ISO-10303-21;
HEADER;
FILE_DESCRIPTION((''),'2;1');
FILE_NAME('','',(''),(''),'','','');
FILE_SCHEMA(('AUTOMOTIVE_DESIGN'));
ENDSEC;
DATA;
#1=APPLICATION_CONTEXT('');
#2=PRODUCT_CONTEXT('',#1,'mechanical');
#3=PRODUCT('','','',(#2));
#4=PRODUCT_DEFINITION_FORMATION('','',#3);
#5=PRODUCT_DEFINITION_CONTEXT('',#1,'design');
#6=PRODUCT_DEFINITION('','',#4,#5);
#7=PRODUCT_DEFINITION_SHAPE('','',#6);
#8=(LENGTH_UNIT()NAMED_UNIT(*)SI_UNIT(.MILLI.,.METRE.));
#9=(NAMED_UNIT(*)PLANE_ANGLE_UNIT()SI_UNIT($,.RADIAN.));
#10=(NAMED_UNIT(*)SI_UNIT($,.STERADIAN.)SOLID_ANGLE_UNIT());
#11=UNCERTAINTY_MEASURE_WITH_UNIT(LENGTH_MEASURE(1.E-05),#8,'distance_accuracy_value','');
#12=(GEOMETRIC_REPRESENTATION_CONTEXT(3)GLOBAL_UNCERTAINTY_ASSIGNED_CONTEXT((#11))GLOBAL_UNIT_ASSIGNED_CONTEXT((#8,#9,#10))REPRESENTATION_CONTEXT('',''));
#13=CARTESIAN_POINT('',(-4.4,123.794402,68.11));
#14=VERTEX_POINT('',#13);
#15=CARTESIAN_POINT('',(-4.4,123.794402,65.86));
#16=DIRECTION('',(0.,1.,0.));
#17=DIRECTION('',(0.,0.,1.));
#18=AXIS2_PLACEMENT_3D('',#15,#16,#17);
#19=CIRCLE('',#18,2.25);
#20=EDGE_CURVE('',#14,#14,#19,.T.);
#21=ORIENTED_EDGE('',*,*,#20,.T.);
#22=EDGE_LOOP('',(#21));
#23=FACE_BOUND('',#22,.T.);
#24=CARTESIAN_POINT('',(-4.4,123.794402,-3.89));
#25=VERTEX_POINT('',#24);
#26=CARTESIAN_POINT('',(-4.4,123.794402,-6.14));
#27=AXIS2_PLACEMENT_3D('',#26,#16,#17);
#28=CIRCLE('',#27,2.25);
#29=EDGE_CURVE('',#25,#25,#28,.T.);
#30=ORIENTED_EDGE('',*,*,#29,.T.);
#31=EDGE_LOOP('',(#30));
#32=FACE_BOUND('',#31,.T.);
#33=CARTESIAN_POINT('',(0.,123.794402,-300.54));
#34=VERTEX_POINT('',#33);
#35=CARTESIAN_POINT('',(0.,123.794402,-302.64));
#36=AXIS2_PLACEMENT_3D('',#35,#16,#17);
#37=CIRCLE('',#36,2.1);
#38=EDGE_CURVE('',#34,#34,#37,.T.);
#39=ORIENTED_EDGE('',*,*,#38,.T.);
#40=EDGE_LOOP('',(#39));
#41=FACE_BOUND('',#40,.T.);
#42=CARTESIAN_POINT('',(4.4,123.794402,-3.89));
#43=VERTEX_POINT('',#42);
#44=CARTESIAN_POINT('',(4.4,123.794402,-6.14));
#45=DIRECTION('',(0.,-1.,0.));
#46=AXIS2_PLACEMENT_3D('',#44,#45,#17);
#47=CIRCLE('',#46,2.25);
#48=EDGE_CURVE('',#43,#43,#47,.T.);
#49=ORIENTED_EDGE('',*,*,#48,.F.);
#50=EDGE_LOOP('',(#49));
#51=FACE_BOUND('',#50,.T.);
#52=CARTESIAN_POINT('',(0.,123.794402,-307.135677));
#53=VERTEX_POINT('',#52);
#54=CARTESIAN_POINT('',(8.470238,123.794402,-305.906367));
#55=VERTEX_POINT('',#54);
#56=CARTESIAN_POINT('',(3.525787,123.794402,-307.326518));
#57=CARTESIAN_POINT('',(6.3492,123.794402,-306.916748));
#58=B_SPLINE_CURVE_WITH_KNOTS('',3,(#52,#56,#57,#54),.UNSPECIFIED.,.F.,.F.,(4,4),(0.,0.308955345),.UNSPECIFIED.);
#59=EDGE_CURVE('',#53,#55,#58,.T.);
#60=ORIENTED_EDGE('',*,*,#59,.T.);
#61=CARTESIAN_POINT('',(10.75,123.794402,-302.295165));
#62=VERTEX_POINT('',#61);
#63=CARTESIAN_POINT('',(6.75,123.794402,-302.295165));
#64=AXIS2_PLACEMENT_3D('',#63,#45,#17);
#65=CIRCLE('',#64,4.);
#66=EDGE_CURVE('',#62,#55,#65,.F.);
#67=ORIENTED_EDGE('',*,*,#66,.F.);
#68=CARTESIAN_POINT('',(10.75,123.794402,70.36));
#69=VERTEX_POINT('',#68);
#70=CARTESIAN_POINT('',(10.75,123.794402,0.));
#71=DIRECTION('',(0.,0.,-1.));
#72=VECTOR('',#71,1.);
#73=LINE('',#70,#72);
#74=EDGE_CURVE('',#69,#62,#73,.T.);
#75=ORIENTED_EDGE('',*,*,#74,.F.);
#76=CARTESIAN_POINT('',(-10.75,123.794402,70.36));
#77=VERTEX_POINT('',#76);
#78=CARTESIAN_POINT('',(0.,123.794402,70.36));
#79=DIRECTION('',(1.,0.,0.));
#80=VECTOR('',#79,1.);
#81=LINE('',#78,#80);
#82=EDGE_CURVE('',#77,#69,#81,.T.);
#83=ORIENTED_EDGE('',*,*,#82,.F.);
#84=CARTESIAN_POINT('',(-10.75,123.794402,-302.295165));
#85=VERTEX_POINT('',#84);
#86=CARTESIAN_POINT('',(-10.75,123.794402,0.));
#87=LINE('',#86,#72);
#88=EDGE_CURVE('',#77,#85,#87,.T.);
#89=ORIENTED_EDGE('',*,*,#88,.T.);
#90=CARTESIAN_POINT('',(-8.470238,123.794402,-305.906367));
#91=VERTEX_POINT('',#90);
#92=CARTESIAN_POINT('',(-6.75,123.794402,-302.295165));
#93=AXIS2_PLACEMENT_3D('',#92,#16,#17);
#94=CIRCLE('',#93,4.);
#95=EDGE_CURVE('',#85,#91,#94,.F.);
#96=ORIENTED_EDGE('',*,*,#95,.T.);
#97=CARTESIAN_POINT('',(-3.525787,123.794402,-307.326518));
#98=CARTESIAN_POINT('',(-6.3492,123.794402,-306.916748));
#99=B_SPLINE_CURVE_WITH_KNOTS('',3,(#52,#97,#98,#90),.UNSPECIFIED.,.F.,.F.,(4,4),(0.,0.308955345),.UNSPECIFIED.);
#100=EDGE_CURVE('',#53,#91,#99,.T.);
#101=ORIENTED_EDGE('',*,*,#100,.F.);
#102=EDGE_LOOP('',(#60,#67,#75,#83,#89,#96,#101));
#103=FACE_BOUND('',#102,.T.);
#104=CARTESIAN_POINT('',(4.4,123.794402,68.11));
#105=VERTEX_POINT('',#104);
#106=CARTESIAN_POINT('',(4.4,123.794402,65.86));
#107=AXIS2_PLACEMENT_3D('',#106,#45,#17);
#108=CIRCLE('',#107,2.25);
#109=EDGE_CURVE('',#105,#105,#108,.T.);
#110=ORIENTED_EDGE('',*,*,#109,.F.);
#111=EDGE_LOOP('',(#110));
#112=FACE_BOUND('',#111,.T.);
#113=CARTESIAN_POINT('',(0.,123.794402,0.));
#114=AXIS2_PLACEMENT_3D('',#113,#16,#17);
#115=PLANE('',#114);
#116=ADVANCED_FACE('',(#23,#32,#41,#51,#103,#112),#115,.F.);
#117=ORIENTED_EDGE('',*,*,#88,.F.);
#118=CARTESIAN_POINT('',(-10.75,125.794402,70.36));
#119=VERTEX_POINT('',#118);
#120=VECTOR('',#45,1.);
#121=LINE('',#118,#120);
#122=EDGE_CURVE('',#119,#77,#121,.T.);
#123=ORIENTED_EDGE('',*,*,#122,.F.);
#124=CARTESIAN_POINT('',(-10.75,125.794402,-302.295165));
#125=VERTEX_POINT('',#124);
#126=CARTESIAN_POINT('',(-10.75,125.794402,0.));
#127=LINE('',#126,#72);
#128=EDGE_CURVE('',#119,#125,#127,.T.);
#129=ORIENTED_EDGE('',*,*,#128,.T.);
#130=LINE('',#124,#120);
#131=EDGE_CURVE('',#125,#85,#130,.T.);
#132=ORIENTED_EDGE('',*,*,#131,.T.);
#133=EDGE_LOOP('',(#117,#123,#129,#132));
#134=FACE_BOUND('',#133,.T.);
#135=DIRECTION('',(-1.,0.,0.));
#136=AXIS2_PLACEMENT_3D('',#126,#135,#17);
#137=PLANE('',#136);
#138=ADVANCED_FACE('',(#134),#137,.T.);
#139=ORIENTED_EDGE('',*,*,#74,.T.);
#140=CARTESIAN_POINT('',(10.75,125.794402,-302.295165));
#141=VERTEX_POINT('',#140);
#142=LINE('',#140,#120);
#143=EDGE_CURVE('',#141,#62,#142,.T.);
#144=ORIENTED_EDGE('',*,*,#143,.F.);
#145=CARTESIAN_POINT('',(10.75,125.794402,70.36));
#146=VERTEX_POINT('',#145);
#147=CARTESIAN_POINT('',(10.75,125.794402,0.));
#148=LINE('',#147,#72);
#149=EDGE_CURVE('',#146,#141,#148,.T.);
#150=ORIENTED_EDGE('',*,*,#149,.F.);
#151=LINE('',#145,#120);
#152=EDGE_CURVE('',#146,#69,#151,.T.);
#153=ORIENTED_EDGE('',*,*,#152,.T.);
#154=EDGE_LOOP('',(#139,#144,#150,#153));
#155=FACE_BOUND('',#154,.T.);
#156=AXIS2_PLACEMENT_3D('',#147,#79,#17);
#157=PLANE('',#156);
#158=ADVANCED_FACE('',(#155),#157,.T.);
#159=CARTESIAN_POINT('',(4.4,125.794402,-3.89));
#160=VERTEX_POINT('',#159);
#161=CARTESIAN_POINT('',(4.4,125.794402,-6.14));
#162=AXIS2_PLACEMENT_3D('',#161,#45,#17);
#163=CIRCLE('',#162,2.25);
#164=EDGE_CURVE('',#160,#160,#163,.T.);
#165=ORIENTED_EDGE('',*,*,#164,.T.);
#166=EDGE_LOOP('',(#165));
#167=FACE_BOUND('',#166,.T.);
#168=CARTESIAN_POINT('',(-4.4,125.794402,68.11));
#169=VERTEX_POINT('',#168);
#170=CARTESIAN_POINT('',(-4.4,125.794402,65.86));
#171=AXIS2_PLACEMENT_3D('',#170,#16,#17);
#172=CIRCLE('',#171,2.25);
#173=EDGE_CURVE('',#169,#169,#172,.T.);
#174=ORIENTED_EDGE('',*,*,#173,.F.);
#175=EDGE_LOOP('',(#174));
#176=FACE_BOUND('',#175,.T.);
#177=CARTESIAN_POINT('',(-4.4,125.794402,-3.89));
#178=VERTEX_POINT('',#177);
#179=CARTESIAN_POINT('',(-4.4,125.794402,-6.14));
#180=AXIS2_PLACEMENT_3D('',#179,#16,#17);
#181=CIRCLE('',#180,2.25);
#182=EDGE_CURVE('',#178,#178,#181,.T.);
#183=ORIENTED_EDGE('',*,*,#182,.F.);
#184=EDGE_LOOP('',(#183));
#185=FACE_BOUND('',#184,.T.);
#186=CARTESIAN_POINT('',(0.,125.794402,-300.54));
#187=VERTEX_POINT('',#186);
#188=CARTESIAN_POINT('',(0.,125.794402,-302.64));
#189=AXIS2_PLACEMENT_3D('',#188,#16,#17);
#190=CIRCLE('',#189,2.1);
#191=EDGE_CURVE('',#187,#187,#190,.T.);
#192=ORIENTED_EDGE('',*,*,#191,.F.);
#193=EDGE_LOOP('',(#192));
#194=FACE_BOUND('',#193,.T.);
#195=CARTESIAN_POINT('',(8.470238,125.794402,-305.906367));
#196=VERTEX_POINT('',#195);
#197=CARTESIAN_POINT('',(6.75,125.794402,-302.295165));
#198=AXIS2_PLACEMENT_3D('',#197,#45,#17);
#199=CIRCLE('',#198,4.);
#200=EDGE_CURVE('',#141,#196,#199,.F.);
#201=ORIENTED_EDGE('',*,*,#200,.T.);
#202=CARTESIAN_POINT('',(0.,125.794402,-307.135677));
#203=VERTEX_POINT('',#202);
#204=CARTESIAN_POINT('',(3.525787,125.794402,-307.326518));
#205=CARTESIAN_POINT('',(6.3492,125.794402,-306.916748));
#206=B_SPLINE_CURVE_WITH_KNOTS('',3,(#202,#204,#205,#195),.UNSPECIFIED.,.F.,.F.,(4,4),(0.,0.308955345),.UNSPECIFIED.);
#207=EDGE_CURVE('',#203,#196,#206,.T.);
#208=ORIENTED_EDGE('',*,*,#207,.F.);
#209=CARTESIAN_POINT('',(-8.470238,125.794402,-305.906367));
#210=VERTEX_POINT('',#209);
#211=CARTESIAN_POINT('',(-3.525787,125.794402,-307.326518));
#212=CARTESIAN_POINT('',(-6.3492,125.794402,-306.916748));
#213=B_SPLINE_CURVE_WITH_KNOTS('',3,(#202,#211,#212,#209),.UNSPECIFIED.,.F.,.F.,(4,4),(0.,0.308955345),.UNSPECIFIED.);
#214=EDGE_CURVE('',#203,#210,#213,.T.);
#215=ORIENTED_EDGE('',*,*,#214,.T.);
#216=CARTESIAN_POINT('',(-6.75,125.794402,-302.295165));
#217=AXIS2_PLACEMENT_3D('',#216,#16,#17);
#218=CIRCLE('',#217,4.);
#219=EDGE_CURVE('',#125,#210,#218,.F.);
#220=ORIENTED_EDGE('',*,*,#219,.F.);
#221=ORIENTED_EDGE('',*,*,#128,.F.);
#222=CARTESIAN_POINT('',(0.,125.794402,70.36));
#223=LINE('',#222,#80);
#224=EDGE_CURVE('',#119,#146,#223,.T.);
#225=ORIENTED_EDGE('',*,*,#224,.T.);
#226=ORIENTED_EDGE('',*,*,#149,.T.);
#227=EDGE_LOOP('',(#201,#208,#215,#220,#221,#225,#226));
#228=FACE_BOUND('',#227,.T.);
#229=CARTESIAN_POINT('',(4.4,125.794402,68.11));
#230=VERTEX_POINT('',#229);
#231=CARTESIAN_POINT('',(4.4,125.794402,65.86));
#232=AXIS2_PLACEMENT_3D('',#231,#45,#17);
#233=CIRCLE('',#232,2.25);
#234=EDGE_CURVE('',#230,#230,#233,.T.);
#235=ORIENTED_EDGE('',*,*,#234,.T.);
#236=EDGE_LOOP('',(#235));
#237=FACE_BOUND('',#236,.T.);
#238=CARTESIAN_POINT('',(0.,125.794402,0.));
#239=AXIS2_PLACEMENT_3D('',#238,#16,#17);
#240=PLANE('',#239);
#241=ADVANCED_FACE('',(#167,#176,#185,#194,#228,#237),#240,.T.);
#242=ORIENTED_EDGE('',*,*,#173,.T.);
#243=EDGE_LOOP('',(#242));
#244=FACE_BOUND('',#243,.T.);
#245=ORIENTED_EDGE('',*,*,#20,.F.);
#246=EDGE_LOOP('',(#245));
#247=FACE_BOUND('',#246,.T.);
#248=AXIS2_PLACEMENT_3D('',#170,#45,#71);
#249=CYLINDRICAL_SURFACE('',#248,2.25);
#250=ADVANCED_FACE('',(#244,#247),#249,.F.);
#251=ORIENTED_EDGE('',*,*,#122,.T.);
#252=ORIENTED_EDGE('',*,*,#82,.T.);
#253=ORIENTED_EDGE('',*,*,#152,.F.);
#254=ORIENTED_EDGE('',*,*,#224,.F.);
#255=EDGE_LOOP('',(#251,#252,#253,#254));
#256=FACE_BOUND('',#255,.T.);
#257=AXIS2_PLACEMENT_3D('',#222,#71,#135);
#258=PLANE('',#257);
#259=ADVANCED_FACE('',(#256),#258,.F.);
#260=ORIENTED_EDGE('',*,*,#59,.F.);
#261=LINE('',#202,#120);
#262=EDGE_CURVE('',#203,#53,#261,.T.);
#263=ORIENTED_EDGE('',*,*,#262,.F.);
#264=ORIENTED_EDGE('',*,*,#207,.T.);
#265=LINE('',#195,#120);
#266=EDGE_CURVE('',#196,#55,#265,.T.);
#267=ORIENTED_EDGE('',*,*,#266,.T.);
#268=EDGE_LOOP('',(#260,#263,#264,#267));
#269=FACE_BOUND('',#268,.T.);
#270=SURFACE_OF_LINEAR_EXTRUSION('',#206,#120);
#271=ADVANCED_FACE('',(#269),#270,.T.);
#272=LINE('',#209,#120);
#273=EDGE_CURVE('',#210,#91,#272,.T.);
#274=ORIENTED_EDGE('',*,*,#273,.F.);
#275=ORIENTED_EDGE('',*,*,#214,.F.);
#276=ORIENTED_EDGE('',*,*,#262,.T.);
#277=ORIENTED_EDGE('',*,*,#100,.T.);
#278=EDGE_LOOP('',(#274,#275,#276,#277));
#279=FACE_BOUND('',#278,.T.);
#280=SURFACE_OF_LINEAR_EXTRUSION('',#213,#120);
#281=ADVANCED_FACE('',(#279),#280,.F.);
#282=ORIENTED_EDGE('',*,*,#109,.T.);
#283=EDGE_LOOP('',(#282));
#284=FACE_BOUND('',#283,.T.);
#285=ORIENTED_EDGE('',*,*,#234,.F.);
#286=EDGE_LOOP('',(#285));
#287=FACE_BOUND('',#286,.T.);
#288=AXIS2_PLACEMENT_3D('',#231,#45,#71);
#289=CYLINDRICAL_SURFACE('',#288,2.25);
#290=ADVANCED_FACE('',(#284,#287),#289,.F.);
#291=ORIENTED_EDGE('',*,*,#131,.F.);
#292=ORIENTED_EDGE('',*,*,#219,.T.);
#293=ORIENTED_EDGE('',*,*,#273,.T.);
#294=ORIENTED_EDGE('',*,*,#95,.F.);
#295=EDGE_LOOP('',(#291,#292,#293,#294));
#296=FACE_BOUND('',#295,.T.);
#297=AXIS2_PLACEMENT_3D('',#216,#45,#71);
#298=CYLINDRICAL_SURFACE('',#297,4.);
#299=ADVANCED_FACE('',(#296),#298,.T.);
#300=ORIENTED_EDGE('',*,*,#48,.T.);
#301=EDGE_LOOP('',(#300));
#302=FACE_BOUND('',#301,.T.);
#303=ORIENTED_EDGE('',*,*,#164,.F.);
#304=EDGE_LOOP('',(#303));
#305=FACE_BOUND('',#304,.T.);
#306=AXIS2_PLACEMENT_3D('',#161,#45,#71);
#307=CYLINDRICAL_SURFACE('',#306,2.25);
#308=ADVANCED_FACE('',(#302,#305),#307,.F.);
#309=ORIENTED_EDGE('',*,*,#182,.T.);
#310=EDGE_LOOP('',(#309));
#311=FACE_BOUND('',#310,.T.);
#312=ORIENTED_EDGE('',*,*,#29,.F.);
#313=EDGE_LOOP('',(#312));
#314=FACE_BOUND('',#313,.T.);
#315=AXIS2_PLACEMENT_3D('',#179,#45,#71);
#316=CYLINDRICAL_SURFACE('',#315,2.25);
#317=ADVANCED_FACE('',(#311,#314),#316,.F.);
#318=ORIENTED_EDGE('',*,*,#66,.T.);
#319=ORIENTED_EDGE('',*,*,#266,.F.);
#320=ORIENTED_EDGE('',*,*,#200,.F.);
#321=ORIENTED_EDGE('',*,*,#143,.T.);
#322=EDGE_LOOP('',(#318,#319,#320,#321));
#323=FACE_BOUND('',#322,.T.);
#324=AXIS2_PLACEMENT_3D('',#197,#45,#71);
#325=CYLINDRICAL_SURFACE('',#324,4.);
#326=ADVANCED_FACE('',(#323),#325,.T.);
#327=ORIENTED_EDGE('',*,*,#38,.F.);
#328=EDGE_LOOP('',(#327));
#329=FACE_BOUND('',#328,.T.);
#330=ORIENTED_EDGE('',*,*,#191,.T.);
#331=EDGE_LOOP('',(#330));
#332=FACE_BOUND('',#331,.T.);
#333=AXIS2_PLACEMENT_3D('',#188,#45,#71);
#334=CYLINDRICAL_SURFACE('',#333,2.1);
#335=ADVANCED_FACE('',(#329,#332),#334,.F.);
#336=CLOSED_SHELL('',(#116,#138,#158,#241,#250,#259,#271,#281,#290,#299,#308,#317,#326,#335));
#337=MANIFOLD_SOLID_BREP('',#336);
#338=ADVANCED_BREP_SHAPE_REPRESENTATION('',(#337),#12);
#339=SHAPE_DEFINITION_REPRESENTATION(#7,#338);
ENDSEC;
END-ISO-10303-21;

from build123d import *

# Parameters (mm, degrees)
SKETCH3_R           = 2.25
BOSS_EXTRUDE2_DEPTH = 2


with BuildPart() as part:
    # Sketch3 → Boss-Extrude2 (new body)
    with BuildSketch(Plane(origin=(0, 123.794401912, 0), x_dir=(-1, 0, 0), z_dir=(0, 1, 0))):
        with BuildLine():
            Line((0, -40), (0, -245))
            Line((0, -245), (0, -300.54))
            ThreePointArc((0, -300.54), (2.1, -302.64), (0, -304.74))
            Line((0, -304.74), (0, -307.135677029))
            add(Edge.make_bspline(
                [(0, -307.135677029), (3.525787284, -307.326518028), (6.349200001, -306.916747925), (8.470238152, -305.906366718)],
                knots=[0, 0, 0, 0, 0.308955345, 0.308955345, 0.308955345, 0.308955345], degree=3))
            ThreePointArc((8.470238152, -305.906366718), (10.132377315, -304.430468728), (10.75, -302.295164605))
            Line((10.75, -302.295164605), (10.75, -284.460908409))
            Line((10.75, -284.460908409), (10.75, -40))
            Line((10.75, -40), (10.75, 40))
            Line((10.75, 40), (10.75, 70.36))
            Line((10.75, 70.36), (0, 70.36))
            Line((0, 70.36), (0, 40))
            Line((0, 40), (0, -40))
        make_face()
        with Locations((4.4, -6.14)):
            Circle(SKETCH3_R, mode=Mode.SUBTRACT)
        with Locations((4.4, 65.86)):
            Circle(SKETCH3_R, mode=Mode.SUBTRACT)
    extrude(amount=BOSS_EXTRUDE2_DEPTH)

    # Mirror10: part across face


with BuildPart() as part_1:
    add(part.part)
    add(part.part.mirror(Plane(origin=(0, 124.794401912, -115.09), x_dir=(0, 0, 1), z_dir=(1, 0, 0))))


solid = part_1.part
